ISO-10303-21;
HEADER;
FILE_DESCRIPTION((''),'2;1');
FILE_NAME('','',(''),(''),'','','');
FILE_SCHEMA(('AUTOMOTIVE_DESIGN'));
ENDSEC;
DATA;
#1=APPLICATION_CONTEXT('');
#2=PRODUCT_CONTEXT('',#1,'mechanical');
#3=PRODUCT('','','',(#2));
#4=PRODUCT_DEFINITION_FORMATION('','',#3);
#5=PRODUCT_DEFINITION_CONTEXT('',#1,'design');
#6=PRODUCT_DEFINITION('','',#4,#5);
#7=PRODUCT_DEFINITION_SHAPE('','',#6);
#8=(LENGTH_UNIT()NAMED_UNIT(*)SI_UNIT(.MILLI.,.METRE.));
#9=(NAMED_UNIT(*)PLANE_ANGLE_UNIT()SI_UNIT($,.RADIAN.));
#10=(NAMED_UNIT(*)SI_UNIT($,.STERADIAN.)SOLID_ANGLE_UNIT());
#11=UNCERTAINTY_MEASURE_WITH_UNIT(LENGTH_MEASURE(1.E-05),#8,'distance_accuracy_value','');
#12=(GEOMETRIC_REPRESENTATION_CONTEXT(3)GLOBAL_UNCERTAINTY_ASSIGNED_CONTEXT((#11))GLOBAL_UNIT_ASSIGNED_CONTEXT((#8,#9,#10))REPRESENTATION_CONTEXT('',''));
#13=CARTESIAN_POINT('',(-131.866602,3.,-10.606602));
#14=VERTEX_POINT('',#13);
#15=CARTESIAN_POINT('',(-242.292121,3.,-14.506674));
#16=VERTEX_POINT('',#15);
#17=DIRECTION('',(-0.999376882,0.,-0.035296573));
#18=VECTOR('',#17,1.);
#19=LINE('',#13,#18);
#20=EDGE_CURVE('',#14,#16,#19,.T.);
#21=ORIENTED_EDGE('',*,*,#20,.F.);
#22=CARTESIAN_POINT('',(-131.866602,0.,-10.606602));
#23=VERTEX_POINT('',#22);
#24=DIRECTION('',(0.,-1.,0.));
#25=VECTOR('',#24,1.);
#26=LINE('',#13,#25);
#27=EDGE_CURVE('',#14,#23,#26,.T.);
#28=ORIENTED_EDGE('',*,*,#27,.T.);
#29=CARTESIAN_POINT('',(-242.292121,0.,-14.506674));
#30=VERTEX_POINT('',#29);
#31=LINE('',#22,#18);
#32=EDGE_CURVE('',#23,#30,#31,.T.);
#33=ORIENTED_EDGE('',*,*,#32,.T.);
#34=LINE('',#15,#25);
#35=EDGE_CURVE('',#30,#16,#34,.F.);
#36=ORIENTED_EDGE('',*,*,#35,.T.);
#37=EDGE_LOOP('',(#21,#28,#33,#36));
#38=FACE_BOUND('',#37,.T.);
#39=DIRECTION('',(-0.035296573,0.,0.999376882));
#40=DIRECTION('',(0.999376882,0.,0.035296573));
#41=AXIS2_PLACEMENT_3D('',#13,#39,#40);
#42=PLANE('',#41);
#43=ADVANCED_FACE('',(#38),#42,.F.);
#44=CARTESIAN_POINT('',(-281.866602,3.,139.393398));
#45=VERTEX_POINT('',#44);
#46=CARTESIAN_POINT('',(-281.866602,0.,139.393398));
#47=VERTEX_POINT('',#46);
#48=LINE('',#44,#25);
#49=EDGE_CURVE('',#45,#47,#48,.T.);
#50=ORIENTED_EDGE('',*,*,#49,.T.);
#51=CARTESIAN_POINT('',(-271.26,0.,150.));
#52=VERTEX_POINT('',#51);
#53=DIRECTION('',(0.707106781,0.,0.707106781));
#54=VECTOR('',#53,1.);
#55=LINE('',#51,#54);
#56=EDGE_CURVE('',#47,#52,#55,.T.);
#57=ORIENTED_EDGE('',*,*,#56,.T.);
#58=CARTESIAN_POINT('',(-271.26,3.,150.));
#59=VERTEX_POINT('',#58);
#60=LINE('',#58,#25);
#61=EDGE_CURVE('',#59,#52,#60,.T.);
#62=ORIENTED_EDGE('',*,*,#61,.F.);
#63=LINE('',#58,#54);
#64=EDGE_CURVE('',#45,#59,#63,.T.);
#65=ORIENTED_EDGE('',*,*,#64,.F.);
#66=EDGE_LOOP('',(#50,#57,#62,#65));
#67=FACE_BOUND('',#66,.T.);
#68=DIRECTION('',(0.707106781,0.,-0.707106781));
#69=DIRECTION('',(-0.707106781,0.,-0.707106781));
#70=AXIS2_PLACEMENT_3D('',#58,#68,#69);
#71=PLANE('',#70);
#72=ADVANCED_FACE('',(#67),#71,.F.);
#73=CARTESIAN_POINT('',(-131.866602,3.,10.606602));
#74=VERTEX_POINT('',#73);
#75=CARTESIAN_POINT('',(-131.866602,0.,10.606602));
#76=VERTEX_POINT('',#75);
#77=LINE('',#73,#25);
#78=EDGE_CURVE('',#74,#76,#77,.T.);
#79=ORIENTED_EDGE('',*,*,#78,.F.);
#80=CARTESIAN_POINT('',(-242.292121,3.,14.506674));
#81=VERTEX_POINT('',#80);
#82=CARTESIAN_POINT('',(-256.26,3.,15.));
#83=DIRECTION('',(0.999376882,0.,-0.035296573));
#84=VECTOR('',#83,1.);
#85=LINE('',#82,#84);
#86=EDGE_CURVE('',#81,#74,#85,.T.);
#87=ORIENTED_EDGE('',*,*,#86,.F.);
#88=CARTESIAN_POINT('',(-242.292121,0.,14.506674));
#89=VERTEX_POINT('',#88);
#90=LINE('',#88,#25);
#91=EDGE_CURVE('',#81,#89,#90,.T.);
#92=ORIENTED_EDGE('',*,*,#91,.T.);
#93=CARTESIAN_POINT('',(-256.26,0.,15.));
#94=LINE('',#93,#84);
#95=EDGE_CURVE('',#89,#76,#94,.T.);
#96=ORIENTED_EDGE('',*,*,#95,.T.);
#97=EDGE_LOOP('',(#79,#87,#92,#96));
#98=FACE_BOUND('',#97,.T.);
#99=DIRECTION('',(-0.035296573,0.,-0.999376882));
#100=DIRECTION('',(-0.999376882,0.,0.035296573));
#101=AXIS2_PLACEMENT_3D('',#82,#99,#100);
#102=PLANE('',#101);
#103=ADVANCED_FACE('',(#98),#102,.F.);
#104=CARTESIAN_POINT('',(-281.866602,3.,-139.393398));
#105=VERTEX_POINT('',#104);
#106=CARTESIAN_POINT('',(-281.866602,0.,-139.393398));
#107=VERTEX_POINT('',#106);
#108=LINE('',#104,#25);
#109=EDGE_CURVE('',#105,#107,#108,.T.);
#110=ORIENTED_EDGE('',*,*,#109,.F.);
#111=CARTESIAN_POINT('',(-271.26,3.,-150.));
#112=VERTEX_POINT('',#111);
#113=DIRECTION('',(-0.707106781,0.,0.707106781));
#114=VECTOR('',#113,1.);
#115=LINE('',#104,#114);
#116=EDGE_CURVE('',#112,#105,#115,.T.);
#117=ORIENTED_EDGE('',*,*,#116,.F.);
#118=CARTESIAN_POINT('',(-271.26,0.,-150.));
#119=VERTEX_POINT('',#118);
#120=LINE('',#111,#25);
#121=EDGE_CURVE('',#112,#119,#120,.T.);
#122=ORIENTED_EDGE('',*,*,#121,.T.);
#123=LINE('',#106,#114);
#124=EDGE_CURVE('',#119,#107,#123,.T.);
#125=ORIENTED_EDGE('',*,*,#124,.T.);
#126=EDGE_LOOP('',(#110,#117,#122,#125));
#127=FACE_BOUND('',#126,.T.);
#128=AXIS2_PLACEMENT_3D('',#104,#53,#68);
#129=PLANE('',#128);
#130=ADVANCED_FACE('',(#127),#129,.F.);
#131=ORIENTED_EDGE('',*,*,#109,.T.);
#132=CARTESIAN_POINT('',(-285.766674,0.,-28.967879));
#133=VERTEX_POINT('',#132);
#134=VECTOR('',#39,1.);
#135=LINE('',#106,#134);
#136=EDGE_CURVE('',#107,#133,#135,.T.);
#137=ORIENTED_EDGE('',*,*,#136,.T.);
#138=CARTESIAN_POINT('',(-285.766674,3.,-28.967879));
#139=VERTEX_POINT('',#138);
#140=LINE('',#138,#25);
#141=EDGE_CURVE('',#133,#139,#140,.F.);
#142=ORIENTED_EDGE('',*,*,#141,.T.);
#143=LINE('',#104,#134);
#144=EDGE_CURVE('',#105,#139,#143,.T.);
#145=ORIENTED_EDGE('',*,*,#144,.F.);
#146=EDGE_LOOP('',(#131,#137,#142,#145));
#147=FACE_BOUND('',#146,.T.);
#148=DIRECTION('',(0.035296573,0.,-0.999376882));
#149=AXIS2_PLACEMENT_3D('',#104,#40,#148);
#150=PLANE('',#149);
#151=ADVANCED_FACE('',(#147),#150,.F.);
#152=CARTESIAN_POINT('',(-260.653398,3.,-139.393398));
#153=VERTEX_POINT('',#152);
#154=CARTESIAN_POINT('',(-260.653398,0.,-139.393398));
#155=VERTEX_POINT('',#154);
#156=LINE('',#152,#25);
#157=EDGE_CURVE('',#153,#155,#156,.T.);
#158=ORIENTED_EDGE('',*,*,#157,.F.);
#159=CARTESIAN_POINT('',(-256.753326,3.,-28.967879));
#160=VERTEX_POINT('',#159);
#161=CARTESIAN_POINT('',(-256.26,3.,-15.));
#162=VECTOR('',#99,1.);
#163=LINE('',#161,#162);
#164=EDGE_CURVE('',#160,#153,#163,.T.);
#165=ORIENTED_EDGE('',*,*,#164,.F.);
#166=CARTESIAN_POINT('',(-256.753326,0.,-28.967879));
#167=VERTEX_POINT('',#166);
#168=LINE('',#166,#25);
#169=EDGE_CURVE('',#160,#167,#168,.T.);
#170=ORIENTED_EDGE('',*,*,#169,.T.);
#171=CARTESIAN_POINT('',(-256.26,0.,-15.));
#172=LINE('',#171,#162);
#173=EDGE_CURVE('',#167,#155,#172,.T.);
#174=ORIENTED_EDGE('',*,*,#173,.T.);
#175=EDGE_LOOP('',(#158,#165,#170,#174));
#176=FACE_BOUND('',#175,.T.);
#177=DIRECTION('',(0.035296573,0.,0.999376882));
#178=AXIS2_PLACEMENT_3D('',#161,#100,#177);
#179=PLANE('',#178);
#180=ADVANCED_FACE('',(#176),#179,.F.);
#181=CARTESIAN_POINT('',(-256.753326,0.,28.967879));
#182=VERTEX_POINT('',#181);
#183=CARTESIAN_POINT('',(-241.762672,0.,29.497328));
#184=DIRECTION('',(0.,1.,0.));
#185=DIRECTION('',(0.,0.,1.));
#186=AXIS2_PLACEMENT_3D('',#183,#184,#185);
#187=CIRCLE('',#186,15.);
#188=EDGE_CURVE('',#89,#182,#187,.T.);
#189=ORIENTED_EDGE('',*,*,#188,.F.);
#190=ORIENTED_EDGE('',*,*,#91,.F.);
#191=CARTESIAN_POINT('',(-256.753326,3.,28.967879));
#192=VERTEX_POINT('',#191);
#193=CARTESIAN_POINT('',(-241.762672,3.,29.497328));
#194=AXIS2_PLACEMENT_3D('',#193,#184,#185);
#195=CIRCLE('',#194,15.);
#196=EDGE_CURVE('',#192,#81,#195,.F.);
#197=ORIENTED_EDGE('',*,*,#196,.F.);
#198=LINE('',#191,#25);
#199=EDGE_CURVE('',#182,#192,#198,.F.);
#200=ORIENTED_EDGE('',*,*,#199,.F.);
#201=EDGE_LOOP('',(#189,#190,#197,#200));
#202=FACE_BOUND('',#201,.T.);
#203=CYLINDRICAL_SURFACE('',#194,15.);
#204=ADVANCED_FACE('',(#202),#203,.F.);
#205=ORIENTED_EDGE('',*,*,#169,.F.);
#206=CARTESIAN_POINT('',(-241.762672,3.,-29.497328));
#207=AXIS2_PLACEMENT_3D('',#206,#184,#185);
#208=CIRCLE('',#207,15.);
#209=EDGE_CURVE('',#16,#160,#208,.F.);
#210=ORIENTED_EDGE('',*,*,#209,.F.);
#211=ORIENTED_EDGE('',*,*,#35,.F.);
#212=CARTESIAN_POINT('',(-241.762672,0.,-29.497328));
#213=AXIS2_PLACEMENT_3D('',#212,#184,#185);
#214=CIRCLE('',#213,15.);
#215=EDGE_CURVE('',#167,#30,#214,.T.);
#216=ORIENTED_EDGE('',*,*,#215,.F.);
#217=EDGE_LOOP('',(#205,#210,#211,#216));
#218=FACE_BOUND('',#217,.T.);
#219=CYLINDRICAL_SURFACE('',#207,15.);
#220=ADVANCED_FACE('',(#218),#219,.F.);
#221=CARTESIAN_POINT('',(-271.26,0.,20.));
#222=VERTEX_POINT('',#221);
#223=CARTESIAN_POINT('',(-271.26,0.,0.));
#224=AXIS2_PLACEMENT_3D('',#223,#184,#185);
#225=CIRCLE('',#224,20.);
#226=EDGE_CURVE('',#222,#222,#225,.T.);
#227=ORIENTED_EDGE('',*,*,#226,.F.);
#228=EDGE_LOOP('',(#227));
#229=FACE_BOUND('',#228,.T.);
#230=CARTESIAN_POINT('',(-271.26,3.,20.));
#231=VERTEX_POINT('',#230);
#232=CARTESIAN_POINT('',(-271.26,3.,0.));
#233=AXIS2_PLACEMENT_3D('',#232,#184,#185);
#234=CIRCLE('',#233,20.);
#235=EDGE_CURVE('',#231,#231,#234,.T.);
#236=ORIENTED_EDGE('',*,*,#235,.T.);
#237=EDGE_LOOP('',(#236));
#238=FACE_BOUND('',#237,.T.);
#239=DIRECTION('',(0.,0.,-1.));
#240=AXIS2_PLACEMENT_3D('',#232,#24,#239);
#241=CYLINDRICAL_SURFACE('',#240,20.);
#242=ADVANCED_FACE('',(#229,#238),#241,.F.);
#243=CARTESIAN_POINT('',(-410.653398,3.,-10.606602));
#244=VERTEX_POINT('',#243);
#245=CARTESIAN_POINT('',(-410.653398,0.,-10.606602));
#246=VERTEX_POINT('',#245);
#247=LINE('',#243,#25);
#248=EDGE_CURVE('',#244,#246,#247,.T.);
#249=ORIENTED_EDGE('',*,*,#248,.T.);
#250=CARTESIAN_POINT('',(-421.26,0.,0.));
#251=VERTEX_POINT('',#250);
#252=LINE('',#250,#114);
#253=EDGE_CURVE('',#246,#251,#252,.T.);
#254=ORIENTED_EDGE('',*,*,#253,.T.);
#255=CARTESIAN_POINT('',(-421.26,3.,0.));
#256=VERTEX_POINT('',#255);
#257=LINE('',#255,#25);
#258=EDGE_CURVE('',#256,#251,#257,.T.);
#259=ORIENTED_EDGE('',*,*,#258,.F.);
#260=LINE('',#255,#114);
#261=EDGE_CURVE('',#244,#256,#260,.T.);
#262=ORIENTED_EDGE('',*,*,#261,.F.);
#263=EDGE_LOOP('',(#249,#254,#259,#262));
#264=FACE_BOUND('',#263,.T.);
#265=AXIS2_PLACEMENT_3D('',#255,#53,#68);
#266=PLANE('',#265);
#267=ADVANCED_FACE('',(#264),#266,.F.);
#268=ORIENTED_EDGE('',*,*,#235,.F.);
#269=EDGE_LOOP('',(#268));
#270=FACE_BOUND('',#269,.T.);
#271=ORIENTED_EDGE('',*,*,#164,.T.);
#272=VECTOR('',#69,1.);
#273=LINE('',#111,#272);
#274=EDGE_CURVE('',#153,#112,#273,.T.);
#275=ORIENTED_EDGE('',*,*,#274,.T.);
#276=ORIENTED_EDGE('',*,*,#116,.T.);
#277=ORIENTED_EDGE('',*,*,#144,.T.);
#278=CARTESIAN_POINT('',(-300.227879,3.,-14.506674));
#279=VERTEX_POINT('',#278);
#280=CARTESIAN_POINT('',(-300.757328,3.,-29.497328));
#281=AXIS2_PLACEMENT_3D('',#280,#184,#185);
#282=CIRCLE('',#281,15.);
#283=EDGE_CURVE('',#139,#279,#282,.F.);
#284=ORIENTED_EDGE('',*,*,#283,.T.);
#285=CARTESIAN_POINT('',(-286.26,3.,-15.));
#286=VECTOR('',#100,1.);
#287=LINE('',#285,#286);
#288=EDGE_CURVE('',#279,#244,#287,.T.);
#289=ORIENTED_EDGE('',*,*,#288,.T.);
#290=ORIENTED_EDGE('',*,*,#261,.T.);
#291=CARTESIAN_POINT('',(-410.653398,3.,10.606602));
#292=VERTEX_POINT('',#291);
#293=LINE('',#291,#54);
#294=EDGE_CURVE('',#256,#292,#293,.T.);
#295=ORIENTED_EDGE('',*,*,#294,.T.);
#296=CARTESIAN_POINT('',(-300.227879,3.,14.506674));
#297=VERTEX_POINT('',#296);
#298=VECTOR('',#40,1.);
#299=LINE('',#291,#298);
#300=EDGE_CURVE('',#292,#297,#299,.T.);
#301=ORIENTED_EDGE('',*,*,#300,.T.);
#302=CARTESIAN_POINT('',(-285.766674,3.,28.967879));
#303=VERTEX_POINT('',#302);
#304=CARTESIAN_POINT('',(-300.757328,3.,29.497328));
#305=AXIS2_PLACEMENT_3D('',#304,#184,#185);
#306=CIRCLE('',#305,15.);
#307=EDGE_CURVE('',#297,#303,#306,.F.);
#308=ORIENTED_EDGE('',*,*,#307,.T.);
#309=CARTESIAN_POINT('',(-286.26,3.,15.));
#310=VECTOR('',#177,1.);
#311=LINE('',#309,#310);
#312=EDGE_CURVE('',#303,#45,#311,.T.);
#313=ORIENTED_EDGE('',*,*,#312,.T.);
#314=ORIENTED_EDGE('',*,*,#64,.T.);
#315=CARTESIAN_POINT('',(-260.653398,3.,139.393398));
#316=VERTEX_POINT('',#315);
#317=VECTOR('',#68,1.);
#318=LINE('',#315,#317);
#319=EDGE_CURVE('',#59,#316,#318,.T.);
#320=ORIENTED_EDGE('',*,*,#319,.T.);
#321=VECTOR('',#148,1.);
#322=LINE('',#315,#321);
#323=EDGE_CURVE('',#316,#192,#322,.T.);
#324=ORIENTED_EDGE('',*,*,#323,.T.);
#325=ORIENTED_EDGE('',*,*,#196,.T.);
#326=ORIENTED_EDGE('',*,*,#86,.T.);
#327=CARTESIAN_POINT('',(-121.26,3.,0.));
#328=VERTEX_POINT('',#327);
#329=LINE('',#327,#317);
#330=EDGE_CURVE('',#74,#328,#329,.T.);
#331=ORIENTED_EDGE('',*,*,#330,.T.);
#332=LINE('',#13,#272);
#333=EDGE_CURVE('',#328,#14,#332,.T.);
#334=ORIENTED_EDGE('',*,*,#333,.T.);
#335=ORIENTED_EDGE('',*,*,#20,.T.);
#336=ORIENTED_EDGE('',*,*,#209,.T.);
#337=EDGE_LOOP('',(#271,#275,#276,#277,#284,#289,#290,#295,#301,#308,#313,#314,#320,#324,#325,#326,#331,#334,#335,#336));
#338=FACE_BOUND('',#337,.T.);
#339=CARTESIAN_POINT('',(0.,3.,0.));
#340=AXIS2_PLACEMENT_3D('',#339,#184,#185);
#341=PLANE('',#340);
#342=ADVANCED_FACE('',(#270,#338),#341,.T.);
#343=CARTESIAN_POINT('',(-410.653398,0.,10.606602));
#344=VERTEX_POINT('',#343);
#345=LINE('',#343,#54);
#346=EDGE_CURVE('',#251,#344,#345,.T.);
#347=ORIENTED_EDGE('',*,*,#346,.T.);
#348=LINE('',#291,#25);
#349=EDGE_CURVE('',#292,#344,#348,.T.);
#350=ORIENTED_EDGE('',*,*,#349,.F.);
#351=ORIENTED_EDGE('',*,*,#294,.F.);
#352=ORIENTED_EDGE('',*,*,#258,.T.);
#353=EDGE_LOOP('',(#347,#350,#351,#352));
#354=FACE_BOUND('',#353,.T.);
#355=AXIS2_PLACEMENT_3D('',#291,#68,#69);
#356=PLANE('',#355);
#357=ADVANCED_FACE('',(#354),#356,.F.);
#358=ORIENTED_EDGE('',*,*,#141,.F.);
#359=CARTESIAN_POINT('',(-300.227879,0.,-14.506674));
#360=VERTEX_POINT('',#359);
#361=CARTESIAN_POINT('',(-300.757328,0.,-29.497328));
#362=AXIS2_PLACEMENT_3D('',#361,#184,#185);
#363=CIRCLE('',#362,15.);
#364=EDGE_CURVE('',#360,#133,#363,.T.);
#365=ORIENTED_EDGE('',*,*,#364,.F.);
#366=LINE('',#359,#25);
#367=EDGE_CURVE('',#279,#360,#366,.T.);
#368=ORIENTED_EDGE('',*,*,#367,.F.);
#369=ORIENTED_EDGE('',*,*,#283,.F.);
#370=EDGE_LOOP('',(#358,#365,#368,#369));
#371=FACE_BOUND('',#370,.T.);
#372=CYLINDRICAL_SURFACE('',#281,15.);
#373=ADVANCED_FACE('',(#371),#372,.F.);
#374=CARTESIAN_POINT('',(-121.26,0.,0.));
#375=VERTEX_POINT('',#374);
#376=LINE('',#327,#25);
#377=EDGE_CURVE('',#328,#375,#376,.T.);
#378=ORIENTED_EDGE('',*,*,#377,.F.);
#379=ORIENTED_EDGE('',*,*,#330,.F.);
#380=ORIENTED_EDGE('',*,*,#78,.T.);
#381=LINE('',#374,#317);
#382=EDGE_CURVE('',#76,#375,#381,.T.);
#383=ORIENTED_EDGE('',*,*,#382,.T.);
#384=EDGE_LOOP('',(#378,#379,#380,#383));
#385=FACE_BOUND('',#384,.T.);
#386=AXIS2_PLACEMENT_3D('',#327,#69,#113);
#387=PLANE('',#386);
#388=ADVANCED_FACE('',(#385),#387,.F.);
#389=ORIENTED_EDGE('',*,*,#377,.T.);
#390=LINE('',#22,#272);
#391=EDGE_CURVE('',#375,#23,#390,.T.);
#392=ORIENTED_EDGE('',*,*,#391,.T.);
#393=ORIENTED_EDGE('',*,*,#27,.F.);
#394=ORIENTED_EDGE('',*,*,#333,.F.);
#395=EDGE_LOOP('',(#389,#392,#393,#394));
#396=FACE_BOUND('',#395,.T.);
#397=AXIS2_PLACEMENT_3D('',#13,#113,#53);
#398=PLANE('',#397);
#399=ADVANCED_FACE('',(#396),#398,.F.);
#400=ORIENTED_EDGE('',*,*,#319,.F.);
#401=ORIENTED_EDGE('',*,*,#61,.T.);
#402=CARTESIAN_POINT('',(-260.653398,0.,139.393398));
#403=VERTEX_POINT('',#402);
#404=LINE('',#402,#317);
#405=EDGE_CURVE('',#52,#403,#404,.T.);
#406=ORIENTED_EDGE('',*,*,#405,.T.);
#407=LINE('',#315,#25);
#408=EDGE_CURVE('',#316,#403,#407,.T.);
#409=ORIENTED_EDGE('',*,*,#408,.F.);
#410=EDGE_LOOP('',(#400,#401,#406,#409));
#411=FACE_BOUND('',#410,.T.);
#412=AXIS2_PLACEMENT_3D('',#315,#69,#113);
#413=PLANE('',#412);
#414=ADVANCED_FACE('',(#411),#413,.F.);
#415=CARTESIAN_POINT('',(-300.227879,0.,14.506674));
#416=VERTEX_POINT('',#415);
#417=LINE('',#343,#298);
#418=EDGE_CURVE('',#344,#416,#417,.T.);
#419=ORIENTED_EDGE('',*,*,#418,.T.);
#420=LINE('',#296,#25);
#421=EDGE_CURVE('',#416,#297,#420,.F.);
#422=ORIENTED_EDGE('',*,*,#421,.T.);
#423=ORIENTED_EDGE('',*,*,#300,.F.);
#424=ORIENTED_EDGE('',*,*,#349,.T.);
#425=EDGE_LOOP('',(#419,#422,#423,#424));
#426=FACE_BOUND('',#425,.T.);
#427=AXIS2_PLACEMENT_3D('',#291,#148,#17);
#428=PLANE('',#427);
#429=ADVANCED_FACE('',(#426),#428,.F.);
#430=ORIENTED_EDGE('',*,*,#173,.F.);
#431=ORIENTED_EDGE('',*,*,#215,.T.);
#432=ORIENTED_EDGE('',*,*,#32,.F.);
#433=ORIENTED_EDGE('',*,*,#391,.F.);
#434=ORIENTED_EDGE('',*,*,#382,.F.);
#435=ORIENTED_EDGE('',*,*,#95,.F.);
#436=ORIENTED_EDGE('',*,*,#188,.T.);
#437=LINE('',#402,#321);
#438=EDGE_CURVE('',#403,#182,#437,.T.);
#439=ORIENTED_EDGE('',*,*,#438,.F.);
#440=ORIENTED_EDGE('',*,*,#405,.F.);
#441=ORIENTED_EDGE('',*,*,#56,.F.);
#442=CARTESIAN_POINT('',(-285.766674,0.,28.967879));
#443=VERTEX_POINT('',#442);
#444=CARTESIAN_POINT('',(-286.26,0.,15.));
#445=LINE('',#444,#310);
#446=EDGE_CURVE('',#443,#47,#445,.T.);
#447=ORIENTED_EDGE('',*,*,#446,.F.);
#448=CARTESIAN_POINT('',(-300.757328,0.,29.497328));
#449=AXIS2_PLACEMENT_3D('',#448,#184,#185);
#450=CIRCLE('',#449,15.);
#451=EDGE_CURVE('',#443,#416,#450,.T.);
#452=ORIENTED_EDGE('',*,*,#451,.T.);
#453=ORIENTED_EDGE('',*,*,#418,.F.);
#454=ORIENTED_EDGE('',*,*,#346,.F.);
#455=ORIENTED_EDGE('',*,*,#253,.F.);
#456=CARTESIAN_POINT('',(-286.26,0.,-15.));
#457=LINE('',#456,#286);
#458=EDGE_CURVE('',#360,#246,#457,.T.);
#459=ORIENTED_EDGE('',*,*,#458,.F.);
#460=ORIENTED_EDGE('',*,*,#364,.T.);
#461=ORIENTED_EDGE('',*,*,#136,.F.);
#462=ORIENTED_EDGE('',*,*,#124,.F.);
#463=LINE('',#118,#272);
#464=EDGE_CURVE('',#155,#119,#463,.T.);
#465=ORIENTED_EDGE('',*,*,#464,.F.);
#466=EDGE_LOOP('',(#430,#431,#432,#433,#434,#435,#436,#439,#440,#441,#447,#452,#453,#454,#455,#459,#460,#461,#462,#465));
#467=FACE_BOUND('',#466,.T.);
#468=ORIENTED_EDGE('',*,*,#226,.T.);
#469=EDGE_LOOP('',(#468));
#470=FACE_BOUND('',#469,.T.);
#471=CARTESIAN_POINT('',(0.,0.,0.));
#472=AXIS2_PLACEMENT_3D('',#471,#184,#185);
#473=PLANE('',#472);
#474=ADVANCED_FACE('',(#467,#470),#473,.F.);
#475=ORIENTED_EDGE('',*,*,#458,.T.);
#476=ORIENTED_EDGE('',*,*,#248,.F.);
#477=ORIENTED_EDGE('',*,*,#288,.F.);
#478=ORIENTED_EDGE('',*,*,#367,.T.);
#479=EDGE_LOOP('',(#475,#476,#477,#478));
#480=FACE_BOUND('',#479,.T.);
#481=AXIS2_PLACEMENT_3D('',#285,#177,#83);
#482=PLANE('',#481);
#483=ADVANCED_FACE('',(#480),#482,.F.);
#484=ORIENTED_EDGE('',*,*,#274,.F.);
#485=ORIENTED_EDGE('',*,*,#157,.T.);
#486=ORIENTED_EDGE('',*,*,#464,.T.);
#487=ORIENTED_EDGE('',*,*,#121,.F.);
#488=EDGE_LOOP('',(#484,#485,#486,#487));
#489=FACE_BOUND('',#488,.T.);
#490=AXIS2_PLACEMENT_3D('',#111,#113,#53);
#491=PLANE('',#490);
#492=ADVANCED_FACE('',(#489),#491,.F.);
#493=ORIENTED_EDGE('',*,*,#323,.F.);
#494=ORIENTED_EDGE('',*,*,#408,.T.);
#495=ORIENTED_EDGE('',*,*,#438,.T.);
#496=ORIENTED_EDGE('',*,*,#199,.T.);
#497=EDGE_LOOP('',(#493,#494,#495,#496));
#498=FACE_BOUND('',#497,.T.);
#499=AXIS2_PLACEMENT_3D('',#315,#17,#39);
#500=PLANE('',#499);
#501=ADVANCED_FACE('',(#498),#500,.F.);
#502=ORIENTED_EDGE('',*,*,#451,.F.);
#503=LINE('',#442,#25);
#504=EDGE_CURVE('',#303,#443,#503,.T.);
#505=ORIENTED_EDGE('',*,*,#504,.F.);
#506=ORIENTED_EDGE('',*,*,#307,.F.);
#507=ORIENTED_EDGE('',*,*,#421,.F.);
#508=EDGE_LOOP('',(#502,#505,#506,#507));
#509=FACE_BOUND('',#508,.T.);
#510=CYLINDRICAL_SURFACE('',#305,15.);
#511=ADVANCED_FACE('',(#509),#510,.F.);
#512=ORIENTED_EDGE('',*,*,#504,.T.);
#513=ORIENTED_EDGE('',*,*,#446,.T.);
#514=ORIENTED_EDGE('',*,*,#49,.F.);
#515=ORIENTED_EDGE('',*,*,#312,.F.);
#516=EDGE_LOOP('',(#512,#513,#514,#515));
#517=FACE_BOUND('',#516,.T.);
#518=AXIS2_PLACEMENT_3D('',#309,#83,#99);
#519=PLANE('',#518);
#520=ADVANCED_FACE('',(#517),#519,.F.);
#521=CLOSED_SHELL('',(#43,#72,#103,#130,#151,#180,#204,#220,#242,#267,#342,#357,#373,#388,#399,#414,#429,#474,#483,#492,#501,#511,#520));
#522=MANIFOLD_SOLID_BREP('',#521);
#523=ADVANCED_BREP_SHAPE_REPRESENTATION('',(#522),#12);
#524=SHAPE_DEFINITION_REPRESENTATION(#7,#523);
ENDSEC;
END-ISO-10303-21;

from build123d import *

# Parameters (mm, degrees)
SKETCH1_R           = 20
BOSS_EXTRUDE1_DEPTH = 3
FILLET1_R           = 15


with BuildPart() as part:
    # Sketch1 → Boss-Extrude1 (new body)
    with BuildSketch(Plane(origin=(0, 0, 0), x_dir=(1, 0, 0), z_dir=(0, 1, 0))):
        Polygon((-286.26, 15), (-410.653398282, 10.606601718), (-421.26, 0), (-410.653398282, -10.606601718), (-286.26, -15), (-281.866601718, -139.393398282), (-271.26, -150), (-260.653398282, -139.393398282), (-256.26, -15), (-131.866601718, -10.606601718), (-121.26, 0), (-131.866601718, 10.606601718), (-256.26, 15), (-260.653398282, 139.393398282), (-271.26, 150), (-281.866601718, 139.393398282), align=None)
        with Locations(Location((-271.26, 0, 0), (0, 0, 270))):
            Circle(SKETCH1_R, mode=Mode.SUBTRACT)
    extrude(amount=BOSS_EXTRUDE1_DEPTH)

    # Fillet1
    fillet1_edges = [part.edges().sort_by_distance(p)[0] for p in [
        (-256.26, 1.5, -15),
        (-256.26, 1.5, 15),
        (-286.26, 1.5, 15),
        (-286.26, 1.5, -15),
    ]]
    fillet(fillet1_edges, radius=FILLET1_R)


solid = part.part
